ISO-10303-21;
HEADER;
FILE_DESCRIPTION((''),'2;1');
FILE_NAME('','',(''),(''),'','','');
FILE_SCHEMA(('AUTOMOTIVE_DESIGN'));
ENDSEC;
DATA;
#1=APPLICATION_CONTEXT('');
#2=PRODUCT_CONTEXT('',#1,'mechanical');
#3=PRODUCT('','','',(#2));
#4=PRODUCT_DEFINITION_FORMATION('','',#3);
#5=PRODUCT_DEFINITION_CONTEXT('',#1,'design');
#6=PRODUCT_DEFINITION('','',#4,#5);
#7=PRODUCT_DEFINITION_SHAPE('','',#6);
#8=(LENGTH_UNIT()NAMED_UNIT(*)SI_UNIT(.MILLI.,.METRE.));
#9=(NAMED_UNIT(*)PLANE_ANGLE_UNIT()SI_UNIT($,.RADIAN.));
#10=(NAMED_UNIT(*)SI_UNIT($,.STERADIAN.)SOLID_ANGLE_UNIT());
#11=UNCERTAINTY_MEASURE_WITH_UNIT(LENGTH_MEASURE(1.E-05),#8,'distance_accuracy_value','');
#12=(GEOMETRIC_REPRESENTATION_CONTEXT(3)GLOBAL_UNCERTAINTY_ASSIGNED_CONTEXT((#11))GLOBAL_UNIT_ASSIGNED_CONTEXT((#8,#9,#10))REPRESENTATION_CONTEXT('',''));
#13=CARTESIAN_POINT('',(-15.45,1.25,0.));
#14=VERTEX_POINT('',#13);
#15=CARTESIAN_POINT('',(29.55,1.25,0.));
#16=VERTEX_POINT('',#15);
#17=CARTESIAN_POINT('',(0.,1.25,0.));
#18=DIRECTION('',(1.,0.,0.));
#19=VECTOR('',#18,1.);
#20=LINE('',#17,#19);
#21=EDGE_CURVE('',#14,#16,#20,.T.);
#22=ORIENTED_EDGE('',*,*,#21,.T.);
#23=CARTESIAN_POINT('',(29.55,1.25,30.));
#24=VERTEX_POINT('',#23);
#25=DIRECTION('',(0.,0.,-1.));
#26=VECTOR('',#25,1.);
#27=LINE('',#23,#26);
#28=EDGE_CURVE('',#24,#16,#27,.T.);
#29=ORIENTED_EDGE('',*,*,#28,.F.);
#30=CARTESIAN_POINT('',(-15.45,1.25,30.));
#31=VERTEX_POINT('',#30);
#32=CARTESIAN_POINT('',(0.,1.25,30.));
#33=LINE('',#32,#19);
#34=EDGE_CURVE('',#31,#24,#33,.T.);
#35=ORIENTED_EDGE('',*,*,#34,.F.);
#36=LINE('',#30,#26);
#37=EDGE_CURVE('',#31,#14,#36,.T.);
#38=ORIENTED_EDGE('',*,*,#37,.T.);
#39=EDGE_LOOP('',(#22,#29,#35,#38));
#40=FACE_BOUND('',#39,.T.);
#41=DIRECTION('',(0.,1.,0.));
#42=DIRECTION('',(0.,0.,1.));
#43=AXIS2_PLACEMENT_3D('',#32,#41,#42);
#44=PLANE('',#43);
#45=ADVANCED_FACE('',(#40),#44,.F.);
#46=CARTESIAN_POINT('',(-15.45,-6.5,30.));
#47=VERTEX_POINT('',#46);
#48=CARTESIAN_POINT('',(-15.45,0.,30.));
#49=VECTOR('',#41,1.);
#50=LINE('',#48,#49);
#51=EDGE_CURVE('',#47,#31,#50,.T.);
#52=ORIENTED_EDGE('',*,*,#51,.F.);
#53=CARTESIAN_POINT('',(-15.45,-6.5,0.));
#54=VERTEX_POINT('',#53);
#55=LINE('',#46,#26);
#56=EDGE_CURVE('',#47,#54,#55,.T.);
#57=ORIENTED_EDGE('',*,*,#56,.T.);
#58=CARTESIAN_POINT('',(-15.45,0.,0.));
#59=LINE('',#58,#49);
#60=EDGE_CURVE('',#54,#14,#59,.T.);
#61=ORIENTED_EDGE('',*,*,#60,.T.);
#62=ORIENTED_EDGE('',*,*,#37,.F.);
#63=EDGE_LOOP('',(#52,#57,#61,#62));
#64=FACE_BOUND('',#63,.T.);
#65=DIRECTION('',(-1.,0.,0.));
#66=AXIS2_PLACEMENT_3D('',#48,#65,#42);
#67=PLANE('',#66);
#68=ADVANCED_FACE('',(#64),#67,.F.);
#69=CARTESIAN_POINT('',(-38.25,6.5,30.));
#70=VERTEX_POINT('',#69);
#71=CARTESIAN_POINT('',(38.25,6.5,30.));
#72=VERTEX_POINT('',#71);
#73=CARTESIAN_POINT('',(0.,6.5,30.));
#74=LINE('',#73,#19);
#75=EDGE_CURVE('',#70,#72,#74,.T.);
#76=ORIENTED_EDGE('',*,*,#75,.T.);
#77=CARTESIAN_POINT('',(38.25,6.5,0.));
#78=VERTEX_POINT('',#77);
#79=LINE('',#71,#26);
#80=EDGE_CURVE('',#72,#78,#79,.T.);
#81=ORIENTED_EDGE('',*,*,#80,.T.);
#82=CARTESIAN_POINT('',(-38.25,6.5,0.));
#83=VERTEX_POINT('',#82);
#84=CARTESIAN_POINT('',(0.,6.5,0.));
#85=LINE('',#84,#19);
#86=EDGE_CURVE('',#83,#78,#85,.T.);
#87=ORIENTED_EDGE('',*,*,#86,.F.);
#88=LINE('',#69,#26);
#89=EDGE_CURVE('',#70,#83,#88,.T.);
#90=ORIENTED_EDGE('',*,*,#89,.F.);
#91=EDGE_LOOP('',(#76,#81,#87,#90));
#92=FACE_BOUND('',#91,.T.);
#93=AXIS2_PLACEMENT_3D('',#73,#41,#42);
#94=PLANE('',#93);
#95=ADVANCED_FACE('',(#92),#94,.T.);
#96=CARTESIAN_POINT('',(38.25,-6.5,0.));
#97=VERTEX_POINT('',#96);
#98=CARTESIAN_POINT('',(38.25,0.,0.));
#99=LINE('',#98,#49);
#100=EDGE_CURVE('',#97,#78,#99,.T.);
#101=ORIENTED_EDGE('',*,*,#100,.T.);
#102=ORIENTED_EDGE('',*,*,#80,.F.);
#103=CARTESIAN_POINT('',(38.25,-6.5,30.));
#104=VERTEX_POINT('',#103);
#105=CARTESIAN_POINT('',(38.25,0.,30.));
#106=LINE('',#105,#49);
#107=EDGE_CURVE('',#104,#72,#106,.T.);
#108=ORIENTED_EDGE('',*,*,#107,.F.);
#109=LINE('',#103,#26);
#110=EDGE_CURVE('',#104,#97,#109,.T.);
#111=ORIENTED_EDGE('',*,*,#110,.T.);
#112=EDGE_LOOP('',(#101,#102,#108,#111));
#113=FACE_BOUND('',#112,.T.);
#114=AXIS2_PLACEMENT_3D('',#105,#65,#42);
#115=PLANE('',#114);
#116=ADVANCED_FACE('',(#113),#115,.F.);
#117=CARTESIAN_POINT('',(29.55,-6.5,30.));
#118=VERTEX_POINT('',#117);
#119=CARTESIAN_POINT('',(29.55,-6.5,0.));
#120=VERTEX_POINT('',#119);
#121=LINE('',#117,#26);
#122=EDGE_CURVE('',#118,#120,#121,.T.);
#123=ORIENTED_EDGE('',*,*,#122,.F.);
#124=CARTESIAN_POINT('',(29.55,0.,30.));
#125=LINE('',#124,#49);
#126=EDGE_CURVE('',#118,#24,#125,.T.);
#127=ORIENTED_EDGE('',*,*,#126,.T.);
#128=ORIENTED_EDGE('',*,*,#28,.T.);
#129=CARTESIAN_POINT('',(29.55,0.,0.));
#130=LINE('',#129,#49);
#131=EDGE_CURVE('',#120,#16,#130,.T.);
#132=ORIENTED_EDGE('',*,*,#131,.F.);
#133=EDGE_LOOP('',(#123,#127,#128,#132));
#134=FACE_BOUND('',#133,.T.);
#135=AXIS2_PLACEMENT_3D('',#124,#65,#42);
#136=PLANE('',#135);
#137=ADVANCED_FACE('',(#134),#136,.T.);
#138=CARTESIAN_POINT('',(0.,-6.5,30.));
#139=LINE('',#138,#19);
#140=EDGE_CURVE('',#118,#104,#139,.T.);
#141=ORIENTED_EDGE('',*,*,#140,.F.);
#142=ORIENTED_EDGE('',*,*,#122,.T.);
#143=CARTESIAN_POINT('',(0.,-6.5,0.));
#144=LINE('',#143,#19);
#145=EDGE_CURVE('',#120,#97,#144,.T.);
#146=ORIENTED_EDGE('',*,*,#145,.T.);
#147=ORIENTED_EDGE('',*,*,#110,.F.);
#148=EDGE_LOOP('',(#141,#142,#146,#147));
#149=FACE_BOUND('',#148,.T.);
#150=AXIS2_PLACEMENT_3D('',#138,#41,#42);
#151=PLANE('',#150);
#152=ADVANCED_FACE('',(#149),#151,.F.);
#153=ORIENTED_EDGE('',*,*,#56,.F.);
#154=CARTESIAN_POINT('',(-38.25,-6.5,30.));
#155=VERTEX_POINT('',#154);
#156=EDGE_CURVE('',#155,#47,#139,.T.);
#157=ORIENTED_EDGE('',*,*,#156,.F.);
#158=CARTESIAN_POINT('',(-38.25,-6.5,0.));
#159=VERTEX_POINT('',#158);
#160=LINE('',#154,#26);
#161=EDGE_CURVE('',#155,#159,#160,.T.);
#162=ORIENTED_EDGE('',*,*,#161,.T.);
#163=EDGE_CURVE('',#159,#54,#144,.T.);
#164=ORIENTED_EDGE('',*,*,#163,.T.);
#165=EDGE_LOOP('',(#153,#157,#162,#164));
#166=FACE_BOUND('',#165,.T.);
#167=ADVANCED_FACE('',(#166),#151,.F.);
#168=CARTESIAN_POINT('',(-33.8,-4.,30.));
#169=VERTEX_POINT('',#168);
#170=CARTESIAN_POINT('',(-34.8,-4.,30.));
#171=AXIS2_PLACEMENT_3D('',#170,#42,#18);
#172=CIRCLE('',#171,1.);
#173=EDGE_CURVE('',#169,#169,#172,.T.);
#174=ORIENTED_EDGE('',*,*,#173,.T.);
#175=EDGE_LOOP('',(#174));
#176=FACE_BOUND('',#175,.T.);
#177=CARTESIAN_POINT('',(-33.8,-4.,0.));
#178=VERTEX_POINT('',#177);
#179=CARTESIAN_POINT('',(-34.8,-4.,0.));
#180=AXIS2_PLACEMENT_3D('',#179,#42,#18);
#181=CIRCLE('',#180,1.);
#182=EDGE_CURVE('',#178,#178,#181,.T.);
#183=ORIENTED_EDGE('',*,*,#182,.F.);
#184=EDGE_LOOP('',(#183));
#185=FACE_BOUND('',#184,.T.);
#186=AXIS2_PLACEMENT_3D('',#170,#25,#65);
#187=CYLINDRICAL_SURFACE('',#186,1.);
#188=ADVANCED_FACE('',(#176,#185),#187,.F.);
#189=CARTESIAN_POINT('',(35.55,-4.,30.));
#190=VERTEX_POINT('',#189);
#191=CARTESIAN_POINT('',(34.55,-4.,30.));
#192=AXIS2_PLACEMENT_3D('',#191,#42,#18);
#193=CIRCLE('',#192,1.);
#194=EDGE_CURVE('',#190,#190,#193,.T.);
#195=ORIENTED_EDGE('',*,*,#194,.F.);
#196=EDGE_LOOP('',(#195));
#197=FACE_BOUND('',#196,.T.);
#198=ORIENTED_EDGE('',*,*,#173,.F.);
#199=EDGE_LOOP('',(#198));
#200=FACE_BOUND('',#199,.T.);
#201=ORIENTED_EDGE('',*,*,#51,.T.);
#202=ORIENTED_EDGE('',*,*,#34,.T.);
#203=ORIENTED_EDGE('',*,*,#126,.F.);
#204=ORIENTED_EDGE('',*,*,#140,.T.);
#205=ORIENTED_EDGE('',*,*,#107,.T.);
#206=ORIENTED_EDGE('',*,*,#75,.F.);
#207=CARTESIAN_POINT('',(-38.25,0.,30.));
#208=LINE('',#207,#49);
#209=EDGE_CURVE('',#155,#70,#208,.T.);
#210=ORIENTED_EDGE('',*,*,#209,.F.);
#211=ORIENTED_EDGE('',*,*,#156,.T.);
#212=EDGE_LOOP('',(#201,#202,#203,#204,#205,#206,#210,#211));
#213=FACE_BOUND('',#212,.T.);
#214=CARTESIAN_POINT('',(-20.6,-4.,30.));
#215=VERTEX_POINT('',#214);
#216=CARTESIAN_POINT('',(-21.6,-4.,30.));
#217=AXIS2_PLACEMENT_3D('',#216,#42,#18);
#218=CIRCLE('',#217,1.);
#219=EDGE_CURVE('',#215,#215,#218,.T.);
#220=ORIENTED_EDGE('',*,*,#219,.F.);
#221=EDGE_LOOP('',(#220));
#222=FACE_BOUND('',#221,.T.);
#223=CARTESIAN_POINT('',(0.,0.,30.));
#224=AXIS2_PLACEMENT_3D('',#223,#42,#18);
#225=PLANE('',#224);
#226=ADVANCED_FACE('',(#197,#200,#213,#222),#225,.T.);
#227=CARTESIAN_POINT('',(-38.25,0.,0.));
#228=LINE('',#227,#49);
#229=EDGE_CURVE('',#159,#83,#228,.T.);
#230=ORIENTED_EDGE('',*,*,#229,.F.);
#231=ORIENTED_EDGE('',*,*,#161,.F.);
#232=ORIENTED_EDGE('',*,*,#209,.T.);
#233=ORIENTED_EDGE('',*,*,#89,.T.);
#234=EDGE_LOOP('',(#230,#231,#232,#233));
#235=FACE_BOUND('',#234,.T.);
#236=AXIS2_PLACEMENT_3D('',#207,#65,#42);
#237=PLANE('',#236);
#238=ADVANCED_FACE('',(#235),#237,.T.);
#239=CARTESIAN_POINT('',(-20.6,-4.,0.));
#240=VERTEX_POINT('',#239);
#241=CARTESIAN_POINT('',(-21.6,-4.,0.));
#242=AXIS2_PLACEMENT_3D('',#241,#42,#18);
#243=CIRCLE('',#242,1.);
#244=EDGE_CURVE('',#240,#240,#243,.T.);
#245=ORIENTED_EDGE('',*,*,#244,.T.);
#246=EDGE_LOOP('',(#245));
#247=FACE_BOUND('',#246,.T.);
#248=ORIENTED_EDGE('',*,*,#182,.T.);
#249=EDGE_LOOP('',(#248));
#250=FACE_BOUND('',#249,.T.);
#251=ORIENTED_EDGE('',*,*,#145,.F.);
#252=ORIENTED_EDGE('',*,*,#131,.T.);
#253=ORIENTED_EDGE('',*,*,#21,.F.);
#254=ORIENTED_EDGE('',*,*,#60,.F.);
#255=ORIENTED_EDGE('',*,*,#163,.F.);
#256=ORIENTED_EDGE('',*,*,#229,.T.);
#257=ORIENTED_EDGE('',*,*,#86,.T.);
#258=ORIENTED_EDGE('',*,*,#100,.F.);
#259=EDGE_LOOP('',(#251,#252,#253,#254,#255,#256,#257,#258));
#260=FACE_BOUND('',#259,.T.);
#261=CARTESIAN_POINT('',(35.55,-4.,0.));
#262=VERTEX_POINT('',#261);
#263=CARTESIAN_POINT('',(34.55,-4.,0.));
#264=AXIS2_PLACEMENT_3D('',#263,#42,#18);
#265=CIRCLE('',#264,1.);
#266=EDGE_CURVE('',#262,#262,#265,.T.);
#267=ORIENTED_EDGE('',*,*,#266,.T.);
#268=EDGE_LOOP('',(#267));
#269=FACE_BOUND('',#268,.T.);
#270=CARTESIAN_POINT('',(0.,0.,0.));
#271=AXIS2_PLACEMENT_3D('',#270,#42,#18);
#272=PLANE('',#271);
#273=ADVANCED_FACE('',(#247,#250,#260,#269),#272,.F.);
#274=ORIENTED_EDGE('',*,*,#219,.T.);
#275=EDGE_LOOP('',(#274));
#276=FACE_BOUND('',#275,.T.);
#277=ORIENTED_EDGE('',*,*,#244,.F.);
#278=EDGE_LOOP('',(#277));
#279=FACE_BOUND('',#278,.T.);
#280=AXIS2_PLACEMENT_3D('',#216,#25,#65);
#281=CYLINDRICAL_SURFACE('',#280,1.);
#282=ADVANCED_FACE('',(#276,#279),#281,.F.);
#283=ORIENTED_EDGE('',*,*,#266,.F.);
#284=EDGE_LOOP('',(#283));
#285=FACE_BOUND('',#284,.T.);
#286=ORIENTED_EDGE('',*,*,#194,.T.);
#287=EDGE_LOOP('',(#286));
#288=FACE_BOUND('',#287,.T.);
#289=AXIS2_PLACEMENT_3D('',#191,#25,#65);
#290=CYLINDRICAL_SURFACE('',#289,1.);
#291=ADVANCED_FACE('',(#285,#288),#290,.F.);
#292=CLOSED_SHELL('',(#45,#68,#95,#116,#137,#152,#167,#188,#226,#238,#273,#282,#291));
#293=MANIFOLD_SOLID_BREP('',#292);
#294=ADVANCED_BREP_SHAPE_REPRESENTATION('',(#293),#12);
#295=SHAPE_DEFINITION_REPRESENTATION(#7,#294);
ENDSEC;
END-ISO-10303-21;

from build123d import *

# Parameters (mm, degrees)
CROQUIS1_R              = 1
SALIENTE_EXTRUIR1_DEPTH = 30


with BuildPart() as part:
    # Croquis1 → Saliente-Extruir1 (new body)
    with BuildSketch(Plane.XY):
        Polygon((-38.25, 6.5), (-38.25, -6.5), (-15.45, -6.5), (-15.45, 1.25), (29.55, 1.25), (29.55, -6.5), (38.25, -6.5), (38.25, 6.5), align=None)
        with Locations((-34.8, -4)):
            Circle(CROQUIS1_R, mode=Mode.SUBTRACT)
        with Locations((-21.6, -4)):
            Circle(CROQUIS1_R, mode=Mode.SUBTRACT)
        with Locations((34.55, -4)):
            Circle(CROQUIS1_R, mode=Mode.SUBTRACT)
    extrude(amount=SALIENTE_EXTRUIR1_DEPTH)


solid = part.part
